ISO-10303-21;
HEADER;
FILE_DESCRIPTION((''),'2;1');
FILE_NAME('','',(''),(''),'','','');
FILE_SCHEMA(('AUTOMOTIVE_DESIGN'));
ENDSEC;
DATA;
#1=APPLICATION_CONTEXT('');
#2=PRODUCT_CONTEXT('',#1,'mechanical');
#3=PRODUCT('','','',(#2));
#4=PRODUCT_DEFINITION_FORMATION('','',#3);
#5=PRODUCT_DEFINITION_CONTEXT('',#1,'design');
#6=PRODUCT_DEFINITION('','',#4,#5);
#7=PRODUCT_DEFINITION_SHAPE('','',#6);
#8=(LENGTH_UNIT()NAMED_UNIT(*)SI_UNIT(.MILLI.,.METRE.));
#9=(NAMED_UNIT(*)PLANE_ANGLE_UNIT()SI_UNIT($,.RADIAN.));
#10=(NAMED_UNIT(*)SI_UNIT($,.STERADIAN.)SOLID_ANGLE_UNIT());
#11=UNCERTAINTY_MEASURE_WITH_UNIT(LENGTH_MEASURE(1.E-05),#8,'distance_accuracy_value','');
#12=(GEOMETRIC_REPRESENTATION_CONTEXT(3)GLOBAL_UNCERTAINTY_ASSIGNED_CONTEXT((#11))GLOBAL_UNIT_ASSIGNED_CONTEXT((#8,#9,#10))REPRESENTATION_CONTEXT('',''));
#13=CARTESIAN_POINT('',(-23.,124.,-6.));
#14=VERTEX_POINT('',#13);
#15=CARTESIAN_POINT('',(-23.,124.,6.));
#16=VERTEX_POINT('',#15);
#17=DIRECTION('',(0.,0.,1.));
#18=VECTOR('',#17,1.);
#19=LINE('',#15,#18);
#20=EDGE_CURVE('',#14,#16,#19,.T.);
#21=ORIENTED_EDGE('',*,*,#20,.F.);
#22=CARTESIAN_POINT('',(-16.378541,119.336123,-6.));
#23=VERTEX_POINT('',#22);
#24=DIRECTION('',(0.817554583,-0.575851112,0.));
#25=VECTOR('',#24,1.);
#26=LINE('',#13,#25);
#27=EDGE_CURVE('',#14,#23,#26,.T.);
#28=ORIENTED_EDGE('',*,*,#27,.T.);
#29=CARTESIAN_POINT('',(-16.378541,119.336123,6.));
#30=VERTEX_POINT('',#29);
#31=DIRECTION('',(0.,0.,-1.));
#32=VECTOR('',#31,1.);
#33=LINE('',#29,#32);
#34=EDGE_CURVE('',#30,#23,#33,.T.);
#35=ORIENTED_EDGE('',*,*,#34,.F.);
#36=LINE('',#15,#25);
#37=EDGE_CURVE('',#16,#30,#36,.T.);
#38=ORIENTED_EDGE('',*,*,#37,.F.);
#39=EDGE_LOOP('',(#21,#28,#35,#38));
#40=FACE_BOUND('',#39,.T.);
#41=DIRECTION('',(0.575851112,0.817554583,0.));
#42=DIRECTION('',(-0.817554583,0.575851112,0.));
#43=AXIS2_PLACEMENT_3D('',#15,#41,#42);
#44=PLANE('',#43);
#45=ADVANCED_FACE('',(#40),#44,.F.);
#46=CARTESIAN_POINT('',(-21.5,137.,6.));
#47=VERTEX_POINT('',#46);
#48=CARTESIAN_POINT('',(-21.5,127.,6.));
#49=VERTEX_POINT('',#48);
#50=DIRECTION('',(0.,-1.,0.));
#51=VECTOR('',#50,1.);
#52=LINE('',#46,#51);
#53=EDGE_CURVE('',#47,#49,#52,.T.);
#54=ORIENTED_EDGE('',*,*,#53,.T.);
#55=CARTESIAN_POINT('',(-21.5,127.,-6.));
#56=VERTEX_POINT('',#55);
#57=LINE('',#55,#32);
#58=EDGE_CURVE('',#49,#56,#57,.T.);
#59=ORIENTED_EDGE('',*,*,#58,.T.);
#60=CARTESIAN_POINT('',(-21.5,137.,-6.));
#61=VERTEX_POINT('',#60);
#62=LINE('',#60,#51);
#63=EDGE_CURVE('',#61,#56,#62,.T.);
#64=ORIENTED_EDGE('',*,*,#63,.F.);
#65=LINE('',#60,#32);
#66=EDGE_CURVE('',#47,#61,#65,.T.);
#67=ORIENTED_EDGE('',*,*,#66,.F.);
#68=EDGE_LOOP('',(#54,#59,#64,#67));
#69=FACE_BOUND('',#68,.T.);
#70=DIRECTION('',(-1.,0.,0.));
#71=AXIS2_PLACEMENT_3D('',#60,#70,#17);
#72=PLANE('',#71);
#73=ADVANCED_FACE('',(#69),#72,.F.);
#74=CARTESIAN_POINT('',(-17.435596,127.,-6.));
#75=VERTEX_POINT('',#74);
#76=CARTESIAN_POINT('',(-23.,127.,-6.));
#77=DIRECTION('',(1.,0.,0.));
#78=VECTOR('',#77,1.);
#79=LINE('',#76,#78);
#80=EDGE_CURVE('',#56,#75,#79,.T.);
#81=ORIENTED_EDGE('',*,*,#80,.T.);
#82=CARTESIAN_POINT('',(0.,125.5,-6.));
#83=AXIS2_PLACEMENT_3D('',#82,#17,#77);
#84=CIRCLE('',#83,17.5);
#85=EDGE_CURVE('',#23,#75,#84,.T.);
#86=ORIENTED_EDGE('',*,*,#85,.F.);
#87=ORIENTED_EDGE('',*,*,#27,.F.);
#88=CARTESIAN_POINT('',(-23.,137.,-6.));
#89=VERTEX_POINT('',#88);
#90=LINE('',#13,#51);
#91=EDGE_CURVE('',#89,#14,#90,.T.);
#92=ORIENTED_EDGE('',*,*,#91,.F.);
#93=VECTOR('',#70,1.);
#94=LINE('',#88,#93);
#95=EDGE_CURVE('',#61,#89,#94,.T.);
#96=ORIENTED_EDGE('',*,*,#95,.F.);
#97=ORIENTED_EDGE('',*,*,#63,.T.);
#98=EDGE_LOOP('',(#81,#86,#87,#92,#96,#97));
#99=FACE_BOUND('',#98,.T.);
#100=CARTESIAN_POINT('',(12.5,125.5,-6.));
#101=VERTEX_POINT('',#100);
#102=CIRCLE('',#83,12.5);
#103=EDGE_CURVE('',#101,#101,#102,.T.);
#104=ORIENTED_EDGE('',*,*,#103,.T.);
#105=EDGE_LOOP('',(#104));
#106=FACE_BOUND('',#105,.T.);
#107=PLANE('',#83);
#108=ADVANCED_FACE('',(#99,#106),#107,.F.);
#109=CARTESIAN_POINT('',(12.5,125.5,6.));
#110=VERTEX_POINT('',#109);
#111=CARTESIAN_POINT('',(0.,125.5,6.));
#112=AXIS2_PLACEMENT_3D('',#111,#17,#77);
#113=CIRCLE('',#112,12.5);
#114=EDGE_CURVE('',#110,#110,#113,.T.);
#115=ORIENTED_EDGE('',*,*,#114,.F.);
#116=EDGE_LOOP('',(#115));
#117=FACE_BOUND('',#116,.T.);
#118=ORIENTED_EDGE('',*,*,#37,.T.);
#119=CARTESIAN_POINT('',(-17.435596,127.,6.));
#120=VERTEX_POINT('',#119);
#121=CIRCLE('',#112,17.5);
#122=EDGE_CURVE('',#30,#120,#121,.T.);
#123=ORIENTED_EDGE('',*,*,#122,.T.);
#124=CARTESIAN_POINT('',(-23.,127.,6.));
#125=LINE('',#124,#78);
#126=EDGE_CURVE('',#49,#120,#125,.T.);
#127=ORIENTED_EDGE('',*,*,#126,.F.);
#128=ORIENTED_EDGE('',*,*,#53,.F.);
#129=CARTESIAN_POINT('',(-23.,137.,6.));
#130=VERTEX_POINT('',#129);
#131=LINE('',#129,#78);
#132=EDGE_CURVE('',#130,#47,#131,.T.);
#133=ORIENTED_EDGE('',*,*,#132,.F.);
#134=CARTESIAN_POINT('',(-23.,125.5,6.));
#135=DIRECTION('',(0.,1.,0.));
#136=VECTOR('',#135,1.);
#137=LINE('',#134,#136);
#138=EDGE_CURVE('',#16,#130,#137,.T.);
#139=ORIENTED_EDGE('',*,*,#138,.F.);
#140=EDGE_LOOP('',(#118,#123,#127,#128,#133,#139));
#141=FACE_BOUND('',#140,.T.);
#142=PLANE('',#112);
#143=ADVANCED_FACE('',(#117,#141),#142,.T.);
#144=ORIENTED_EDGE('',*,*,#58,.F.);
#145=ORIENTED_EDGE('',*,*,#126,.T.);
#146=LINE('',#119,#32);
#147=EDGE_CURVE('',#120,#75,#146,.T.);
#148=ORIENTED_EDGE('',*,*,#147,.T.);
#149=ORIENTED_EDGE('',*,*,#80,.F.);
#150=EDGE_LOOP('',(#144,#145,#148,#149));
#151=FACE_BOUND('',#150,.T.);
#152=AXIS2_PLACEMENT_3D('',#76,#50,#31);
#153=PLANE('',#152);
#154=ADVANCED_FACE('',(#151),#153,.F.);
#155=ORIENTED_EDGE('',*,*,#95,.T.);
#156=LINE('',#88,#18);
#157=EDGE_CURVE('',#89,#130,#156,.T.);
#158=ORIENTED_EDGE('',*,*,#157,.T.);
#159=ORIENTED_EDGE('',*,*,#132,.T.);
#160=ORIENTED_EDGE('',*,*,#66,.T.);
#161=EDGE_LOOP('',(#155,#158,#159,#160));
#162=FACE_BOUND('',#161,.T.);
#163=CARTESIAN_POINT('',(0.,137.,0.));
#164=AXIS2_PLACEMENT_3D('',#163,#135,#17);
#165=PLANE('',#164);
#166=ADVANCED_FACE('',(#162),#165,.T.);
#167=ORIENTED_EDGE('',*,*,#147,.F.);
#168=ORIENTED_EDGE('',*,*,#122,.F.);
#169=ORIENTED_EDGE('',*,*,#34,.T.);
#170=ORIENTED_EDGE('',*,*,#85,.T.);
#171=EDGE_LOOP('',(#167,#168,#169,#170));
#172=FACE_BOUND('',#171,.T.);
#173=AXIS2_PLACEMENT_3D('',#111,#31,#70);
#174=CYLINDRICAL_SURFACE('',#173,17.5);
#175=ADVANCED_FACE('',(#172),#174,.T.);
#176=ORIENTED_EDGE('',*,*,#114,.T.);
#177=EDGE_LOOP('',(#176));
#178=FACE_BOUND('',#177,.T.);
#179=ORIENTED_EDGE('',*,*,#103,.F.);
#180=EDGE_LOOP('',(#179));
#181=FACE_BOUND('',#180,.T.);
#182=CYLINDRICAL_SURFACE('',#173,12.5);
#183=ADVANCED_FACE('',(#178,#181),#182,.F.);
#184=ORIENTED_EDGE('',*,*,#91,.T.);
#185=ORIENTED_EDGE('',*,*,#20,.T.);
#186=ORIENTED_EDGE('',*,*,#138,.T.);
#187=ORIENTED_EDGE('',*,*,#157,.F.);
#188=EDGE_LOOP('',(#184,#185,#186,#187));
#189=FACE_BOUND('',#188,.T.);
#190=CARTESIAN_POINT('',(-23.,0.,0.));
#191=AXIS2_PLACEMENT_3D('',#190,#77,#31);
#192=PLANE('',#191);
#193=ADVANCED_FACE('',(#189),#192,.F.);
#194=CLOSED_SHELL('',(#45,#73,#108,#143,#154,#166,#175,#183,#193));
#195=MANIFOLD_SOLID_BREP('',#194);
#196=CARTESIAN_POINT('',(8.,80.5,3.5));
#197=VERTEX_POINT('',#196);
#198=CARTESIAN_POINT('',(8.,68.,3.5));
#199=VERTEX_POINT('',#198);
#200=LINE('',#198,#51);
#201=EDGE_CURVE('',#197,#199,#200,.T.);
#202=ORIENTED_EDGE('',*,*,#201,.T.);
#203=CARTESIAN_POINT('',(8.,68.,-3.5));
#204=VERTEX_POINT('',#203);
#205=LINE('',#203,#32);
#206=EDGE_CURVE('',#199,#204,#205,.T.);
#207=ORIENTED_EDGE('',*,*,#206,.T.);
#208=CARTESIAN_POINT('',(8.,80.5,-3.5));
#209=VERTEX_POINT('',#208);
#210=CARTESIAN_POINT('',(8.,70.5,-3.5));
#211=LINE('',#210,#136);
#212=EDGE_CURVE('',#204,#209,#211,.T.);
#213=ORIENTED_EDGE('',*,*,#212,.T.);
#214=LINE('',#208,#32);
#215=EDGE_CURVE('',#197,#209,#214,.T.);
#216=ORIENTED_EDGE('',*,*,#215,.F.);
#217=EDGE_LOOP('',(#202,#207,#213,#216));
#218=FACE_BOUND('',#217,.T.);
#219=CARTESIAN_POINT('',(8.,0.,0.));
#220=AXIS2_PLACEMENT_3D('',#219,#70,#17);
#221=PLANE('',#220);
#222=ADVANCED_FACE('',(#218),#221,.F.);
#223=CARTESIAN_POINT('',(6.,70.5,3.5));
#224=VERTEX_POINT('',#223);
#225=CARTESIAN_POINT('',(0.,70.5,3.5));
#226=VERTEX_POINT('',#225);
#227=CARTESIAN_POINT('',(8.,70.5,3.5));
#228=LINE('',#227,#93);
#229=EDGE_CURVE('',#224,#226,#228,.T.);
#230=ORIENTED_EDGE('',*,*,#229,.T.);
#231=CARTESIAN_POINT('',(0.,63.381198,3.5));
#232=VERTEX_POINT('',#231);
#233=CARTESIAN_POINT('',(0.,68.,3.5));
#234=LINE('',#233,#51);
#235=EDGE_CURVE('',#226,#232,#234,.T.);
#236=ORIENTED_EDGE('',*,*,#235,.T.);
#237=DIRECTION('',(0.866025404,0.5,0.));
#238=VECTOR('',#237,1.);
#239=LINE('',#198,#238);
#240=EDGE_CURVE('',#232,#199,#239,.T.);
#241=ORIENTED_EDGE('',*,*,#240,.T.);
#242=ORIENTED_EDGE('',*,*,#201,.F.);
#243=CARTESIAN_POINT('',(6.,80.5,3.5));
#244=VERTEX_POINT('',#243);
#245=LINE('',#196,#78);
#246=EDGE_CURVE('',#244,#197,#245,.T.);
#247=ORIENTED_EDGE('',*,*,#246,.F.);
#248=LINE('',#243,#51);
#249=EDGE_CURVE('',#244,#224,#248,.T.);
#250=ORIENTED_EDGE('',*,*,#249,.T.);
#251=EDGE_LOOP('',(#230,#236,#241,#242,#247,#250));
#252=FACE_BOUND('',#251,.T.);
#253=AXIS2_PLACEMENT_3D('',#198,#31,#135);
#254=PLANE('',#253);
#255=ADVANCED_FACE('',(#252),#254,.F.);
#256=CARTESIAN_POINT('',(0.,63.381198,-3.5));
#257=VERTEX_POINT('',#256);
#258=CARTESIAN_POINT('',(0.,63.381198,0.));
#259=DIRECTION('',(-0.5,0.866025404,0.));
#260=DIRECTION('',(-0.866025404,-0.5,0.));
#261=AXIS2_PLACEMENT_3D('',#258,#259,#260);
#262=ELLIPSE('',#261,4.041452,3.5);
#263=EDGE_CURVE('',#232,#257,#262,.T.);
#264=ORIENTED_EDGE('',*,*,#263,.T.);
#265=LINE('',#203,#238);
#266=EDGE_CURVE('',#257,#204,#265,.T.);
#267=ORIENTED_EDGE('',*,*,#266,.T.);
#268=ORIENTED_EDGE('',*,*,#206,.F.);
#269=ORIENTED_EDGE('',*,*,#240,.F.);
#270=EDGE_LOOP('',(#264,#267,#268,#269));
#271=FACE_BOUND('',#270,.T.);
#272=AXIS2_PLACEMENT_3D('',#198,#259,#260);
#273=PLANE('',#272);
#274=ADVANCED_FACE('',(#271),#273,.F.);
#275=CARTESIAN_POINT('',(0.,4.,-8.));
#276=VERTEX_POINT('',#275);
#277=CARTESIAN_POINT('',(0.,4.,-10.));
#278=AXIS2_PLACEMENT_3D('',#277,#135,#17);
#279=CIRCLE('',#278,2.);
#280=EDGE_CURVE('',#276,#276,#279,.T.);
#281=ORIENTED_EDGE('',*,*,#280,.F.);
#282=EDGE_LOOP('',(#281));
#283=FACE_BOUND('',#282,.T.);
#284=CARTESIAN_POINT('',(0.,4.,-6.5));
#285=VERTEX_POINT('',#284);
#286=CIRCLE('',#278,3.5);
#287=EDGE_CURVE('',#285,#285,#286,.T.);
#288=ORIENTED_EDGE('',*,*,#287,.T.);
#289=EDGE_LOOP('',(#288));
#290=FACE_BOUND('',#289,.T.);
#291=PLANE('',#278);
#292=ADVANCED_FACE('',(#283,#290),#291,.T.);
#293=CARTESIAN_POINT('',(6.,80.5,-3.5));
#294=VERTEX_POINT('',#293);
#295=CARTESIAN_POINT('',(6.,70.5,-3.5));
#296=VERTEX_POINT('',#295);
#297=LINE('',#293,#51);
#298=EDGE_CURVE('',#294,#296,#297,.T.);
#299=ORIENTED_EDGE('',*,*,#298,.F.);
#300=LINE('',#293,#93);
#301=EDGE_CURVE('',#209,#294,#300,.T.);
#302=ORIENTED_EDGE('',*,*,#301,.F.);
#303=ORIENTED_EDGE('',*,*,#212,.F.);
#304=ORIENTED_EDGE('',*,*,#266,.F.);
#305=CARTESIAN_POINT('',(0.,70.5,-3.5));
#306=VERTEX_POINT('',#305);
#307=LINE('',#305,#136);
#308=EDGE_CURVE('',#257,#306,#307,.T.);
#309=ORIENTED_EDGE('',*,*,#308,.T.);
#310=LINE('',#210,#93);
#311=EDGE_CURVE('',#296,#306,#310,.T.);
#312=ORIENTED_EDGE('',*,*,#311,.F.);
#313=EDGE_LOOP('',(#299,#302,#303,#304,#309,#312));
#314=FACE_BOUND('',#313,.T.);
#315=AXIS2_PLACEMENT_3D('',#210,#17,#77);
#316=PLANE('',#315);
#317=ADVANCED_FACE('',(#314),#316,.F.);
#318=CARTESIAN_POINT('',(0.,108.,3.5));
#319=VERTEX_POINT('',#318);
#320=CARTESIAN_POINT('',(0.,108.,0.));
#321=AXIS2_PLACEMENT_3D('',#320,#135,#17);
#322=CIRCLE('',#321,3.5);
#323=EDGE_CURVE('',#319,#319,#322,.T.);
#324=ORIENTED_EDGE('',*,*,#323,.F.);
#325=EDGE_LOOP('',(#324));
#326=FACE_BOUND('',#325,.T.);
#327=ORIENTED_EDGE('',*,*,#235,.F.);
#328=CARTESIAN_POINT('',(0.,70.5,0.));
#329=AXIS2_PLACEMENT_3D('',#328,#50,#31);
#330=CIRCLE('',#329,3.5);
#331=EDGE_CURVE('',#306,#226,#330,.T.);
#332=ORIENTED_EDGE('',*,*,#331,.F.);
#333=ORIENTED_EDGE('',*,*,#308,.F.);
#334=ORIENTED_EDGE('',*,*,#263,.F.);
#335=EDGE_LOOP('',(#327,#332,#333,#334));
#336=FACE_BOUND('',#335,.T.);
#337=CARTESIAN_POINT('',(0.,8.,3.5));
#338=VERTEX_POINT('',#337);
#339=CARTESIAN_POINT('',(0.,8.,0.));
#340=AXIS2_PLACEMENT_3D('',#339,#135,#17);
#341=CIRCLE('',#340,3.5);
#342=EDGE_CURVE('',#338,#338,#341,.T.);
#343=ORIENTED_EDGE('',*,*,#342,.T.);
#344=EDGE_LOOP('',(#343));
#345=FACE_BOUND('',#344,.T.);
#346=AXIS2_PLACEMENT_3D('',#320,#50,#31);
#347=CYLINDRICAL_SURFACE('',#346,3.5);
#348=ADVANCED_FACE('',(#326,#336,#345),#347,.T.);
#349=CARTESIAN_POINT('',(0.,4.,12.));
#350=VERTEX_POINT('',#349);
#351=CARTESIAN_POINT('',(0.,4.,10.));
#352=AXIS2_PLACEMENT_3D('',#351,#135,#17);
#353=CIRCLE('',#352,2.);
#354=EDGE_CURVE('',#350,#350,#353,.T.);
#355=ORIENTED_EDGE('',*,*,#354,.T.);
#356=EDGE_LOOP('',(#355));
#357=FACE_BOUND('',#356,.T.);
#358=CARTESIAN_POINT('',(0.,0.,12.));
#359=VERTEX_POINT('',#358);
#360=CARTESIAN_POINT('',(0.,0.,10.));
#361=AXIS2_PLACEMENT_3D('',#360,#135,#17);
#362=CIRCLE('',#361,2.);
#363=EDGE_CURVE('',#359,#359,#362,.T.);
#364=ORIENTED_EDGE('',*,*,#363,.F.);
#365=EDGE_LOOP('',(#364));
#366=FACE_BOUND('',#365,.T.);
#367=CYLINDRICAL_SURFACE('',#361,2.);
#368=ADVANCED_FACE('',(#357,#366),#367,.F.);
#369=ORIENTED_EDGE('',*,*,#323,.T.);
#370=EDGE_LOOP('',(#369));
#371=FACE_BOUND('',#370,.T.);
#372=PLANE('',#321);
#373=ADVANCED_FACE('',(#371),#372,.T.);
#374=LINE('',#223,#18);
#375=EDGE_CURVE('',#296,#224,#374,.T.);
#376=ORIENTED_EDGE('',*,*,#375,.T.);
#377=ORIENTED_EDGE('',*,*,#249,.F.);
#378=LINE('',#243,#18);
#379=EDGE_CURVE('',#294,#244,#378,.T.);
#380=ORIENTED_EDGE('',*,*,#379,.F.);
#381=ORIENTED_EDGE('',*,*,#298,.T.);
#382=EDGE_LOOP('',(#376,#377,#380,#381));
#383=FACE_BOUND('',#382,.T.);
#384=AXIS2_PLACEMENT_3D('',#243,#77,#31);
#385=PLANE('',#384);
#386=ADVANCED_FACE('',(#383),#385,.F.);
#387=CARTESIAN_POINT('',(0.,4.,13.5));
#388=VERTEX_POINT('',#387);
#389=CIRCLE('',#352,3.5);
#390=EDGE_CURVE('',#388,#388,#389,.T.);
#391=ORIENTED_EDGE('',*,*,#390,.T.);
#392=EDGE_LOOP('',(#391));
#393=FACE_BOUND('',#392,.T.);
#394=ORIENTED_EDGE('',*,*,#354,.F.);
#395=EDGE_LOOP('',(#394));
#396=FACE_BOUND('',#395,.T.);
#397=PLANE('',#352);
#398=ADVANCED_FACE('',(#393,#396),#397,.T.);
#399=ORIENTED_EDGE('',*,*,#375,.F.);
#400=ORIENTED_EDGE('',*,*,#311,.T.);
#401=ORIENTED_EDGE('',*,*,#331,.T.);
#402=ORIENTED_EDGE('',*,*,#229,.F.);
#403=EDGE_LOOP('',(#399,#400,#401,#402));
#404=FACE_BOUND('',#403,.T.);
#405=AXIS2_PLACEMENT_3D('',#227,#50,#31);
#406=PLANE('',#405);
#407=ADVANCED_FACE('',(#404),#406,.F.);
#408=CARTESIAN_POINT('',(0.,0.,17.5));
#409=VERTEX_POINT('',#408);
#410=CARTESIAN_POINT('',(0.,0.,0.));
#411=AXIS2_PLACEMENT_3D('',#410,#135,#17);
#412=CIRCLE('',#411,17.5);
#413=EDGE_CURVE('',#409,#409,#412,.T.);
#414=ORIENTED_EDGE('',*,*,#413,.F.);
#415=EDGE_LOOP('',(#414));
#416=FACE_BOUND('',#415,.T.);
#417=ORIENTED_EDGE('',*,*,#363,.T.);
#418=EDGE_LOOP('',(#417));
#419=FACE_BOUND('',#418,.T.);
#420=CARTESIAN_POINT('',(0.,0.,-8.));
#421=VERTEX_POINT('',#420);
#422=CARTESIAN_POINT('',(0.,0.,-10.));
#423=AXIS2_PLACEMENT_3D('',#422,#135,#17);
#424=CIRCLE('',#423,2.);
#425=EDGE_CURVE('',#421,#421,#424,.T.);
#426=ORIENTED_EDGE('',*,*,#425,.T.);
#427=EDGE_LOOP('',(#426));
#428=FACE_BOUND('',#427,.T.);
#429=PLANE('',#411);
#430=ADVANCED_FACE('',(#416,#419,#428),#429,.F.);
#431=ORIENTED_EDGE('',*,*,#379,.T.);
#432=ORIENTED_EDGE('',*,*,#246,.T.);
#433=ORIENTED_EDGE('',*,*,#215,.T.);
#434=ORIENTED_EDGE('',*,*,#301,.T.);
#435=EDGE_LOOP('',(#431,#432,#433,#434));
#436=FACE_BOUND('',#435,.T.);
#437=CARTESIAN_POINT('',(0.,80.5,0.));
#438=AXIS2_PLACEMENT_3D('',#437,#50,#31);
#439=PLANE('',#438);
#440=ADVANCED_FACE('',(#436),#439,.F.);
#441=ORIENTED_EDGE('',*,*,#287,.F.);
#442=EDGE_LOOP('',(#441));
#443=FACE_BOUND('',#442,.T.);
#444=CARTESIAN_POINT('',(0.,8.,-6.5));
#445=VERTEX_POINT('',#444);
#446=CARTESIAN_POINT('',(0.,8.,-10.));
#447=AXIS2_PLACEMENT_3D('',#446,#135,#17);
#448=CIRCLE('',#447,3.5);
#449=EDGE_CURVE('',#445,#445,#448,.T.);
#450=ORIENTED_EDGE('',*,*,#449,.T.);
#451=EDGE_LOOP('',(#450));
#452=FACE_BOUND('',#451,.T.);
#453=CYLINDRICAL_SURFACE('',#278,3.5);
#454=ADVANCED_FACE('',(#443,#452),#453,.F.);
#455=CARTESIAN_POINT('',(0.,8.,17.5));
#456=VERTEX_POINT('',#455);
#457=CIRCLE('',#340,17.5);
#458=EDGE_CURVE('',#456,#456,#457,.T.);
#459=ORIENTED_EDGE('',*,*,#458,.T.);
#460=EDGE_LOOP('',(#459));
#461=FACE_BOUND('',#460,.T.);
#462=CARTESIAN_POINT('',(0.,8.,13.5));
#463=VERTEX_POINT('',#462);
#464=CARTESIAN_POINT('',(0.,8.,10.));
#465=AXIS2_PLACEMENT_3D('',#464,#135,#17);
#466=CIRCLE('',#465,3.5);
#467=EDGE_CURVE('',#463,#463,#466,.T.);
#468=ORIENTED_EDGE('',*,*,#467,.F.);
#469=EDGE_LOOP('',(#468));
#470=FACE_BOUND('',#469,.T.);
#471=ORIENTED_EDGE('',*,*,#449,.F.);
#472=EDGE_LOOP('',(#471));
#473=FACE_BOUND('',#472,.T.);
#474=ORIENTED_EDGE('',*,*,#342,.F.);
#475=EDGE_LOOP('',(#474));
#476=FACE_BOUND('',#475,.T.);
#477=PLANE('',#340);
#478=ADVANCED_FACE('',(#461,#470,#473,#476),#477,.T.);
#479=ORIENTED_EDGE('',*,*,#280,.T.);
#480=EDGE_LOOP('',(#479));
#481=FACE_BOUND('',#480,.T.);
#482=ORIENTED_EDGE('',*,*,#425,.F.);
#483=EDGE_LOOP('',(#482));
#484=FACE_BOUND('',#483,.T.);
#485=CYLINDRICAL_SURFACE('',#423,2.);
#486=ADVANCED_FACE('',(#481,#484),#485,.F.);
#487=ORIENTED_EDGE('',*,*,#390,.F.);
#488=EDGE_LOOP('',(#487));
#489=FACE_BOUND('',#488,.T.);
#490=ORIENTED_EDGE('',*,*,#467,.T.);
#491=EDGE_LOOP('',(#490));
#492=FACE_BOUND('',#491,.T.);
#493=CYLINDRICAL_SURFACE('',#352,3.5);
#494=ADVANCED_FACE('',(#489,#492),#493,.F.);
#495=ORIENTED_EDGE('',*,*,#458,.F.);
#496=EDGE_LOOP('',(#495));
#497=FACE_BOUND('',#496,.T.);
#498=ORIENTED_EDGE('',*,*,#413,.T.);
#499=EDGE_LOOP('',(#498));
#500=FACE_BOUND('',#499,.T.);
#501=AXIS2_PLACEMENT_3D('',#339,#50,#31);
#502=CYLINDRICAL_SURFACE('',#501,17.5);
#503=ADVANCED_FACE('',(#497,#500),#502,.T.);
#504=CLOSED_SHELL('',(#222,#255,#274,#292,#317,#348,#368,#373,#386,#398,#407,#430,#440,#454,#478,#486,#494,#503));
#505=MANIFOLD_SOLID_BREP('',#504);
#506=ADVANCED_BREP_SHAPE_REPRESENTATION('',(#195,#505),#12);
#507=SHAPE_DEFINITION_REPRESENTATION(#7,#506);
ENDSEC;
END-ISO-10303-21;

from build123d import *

# Parameters (mm, degrees)
ESBO_O1_R                = 17.5
RESSALTO_EXTRUS_O1_DEPTH = 8
ESBO_O2_R                = 3.5
RESSALTO_EXTRUS_O2_DEPTH = 100
ESBO_O3_R                = 3.5
CORTE_EXTRUS_O1_DEPTH    = 4
ESBO_O4_R                = 2
CORTE_EXTRUS_O2_DEPTH    = 4
ESBO_O5_R                = 17.5
ESBO_O5_R_2              = 12.5
RESSALTO_EXTRUS_O3_DEPTH = 6
ESBO_O8_W                = 7
ESBO_O8_H                = 2.5
RESSALTO_EXTRUS_O4_DEPTH = 8
ESBO_O9_W                = 2
ESBO_O9_H                = 7
RESSALTO_EXTRUS_O5_DEPTH = 10
RESSALTO_EXTRUS_O6_DEPTH = 8
ESBO_O15_W               = 1.5
ESBO_O15_H               = 12
RESSALTO_EXTRUS_O7_DEPTH = 10
RESSALTO_EXTRUS_O8_DEPTH = 6
RESSALTO_EXTRUS_O9_DEPTH = 3.5


with BuildPart() as part:
    # Esboço1 → Ressalto-extrusão1 (new body)
    with BuildSketch(Plane(origin=(0, 0, 0), x_dir=(1, 0, 0), z_dir=(0, 1, 0))):
        with Locations(Location((0, 0, 0), (0, 0, 270))):
            Circle(ESBO_O1_R)
    extrude(amount=RESSALTO_EXTRUS_O1_DEPTH)

    # Esboço2 → Ressalto-extrusão2 (add)
    with BuildSketch(Plane(origin=(0, 8, 0), x_dir=(1, 0, 0), z_dir=(0, 1, 0))):
        with Locations(Location((0, 0, 0), (0, 0, 270))):
            Circle(ESBO_O2_R)
    extrude(amount=RESSALTO_EXTRUS_O2_DEPTH)

    # Esboço3 → Corte-extrusão1 (cut)
    with BuildSketch(Plane(origin=(0, 8, 0), x_dir=(1, 0, 0), z_dir=(0, 1, 0))):
        with Locations(Location((0, 10, 0), (0, 0, 270))):
            Circle(ESBO_O3_R)
        with Locations(Location((0, -10, 0), (0, 0, 270))):
            Circle(ESBO_O3_R)
    extrude(amount=-CORTE_EXTRUS_O1_DEPTH, mode=Mode.SUBTRACT)

    # Esboço4 → Corte-extrusão2 (cut)
    with BuildSketch(Plane(origin=(0, 4, 0), x_dir=(1, 0, 0), z_dir=(0, 1, 0))):
        with Locations(Location((0, 10, 0), (0, 0, 270))):
            Circle(ESBO_O4_R)
        with Locations(Location((0, -10, 0), (0, 0, 270))):
            Circle(ESBO_O4_R)
    extrude(amount=-CORTE_EXTRUS_O2_DEPTH, mode=Mode.SUBTRACT)

    # Esboço8 → Ressalto-extrusão4 (add)
    with BuildSketch(Plane(origin=(0, 0, 0), x_dir=(0, 0, -1), z_dir=(1, 0, 0))):
        with Locations((0, 69.25)):
            Rectangle(ESBO_O8_W, ESBO_O8_H)
    extrude(amount=RESSALTO_EXTRUS_O4_DEPTH)

    # Esboço9 → Ressalto-extrusão5 (add)
    with BuildSketch(Plane(origin=(0, 70.5, 0), x_dir=(1, 0, 0), z_dir=(0, 1, 0))):
        with Locations((7, 0)):
            Rectangle(ESBO_O9_W, ESBO_O9_H)
    extrude(amount=RESSALTO_EXTRUS_O5_DEPTH)

    # Esboço17 → Ressalto-extrusão9 (add, symmetric)
    with BuildSketch(Plane.XY):
        Polygon((8, 68), (0, 63.381197846), (0, 68), align=None)
    extrude(amount=RESSALTO_EXTRUS_O9_DEPTH, both=True)


with BuildPart() as body_2:
    # Esboço5 → Ressalto-extrusão3 (new, symmetric)
    with BuildSketch(Plane.XY):
        with Locations((0, 125.5)):
            Circle(ESBO_O5_R)
        with Locations((0, 125.5)):
            Circle(ESBO_O5_R_2, mode=Mode.SUBTRACT)
    extrude(amount=RESSALTO_EXTRUS_O3_DEPTH, both=True)

    # Esboço14 → Ressalto-extrusão6 (add)
    with BuildSketch(Plane.ZY.offset(15)):
        Polygon((6, 125.5), (6, 127), (-6, 127), (-6, 124), (6, 124), align=None)
    extrude(amount=RESSALTO_EXTRUS_O6_DEPTH)

    # Esboço15 → Ressalto-extrusão7 (add)
    with BuildSketch(Plane(origin=(0, 127, 0), x_dir=(1, 0, 0), z_dir=(0, 1, 0))):
        with Locations((-22.25, 0)):
            Rectangle(ESBO_O15_W, ESBO_O15_H)
    extrude(amount=RESSALTO_EXTRUS_O7_DEPTH)

    # Esboço16 → Ressalto-extrusão8 (add, symmetric)
    with BuildSketch(Plane.XY):
        Polygon((-23, 124), (-16.378541302, 119.336122584), (-17.435595774, 124), align=None)
    extrude(amount=RESSALTO_EXTRUS_O8_DEPTH, both=True)


solid = Compound([part.part, body_2.part])
